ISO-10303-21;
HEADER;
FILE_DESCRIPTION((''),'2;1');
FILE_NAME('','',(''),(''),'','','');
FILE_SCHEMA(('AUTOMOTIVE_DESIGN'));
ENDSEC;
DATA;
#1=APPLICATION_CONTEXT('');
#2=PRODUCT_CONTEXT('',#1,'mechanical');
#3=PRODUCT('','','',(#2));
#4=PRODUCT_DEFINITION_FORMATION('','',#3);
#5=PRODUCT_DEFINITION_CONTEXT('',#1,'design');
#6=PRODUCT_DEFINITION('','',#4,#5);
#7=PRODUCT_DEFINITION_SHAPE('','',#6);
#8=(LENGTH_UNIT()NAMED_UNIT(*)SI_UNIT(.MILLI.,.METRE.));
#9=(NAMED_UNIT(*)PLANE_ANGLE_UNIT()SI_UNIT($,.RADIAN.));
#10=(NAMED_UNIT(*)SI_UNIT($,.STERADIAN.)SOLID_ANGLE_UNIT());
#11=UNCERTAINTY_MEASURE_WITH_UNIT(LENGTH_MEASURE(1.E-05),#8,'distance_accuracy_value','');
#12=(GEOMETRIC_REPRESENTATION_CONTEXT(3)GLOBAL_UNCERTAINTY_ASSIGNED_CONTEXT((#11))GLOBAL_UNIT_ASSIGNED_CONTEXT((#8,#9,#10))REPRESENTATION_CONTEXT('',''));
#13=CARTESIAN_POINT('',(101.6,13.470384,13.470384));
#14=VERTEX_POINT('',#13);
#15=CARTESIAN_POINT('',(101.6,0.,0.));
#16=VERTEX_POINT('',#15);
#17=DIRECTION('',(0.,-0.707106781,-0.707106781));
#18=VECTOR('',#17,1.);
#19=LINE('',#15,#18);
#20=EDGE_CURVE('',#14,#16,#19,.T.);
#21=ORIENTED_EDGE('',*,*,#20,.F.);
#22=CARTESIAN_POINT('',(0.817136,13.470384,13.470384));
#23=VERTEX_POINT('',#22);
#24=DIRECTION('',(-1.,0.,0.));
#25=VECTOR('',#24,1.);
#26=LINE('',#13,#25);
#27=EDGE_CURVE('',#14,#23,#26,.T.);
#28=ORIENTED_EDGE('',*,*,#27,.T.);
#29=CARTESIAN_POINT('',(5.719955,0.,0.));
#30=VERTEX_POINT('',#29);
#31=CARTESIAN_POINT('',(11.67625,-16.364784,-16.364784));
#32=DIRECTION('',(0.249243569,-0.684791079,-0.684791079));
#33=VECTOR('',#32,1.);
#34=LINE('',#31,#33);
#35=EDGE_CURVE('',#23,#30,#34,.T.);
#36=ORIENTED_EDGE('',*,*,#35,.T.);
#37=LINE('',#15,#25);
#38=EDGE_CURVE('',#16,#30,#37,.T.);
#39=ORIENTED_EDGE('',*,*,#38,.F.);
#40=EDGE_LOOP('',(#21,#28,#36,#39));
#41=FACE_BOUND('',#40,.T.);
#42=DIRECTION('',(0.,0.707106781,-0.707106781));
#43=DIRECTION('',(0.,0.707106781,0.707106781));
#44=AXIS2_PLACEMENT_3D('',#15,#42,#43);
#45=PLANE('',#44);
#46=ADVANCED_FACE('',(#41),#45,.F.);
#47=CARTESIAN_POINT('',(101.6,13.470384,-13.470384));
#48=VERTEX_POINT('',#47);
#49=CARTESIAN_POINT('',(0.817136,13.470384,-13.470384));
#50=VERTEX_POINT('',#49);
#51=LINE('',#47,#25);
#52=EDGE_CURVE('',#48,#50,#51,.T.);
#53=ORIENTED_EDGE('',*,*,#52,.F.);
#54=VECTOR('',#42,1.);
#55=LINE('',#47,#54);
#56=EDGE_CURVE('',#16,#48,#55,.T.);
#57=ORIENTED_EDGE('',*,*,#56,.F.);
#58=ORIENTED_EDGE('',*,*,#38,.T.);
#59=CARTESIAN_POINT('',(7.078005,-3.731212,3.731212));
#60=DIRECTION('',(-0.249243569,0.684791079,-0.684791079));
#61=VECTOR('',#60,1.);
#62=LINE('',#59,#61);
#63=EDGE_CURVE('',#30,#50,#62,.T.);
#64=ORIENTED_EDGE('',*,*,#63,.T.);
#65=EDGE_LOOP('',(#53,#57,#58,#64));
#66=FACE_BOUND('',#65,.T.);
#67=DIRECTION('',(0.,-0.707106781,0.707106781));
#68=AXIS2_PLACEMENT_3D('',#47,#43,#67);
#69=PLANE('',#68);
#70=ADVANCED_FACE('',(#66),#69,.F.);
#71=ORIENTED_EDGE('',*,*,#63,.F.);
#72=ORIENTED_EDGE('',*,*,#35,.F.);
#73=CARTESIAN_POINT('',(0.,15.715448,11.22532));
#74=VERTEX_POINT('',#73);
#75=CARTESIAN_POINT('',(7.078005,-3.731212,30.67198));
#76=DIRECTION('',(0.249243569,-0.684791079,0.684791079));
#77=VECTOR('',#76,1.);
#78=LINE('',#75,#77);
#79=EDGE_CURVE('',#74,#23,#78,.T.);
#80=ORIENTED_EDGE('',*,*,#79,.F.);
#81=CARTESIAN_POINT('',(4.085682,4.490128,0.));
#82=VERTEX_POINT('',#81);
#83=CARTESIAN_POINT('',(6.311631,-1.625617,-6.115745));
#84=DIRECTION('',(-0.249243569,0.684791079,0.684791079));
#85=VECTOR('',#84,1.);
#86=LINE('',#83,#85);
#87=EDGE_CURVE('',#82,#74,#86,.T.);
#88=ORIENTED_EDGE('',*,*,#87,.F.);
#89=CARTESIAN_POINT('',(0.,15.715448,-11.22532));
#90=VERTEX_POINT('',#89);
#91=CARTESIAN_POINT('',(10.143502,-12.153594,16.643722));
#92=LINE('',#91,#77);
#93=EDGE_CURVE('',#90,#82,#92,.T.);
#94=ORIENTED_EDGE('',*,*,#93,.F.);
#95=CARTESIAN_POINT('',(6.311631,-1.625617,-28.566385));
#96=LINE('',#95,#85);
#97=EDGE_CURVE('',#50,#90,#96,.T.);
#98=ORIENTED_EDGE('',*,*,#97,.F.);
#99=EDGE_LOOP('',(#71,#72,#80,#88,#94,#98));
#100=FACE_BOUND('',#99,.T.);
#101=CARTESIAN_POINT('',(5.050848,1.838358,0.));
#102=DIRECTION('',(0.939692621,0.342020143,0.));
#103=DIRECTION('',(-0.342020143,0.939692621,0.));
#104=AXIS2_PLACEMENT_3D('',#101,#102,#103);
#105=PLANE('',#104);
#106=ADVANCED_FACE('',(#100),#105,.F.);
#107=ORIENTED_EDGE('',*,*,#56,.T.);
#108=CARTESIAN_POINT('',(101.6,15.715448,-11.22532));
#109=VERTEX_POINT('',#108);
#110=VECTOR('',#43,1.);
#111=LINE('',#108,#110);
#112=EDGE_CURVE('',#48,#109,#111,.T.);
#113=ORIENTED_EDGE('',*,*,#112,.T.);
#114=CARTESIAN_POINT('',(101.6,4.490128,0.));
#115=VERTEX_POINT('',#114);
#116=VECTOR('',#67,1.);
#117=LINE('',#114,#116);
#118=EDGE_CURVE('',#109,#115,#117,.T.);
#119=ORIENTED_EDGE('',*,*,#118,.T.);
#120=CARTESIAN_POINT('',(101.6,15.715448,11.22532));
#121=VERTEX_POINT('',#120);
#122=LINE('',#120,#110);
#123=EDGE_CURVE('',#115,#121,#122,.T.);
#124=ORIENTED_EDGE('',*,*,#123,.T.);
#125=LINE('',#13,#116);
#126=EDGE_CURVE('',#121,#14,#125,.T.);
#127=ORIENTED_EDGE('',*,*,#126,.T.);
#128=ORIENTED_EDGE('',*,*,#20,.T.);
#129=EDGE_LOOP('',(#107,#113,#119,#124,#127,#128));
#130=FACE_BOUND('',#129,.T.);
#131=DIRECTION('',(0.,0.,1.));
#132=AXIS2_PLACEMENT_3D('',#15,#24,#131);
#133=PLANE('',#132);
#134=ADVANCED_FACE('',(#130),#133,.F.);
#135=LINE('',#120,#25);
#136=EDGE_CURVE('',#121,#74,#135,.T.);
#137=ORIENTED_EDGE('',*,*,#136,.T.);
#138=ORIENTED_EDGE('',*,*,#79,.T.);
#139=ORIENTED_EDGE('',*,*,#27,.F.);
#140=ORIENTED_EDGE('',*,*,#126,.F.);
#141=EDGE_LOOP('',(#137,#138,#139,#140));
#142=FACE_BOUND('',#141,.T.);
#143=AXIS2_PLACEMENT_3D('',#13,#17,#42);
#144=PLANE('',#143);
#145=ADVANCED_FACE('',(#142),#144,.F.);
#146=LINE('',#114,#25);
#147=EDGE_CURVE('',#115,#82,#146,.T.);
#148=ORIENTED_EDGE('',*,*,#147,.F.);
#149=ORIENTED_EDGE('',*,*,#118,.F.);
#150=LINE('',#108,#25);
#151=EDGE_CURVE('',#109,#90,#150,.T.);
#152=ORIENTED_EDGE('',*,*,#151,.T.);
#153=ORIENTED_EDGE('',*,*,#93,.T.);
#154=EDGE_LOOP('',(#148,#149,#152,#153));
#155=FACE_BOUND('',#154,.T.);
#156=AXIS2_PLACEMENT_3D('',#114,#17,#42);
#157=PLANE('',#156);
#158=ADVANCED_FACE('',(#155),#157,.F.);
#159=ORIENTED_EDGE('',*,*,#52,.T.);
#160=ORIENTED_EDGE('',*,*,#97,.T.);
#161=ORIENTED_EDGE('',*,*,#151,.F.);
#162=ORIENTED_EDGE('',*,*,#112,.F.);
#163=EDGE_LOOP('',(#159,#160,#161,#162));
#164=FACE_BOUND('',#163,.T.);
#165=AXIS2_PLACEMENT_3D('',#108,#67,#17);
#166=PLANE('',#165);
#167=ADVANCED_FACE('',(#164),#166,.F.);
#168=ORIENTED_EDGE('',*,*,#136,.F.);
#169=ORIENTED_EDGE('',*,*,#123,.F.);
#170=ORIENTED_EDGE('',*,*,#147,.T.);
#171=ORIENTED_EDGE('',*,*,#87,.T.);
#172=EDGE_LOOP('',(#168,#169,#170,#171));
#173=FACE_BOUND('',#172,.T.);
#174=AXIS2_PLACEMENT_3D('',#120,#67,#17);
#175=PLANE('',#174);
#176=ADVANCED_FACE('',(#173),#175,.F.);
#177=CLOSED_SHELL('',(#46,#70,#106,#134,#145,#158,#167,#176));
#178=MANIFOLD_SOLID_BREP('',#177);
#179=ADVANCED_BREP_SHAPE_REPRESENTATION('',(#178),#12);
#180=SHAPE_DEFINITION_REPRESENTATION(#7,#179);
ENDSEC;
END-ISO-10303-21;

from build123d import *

# Parameters (mm, degrees)
BOSS_EXTRUDE1_DEPTH = 101.6
SKETCH2_W           = 26.940768364
SKETCH2_H           = 16.724030672
CUT_EXTRUDE1_DEPTH  = 99.46706905


with BuildPart() as part:
    # Sketch1 → Boss-Extrude1 (new body)
    with BuildSketch(Plane(origin=(0, 0, 0), x_dir=(0, 0, -1), z_dir=(1, 0, 0))):
        Polygon((0, 0), (-13.470384182, 13.470384182), (-11.225320151, 15.715448212), (0, 4.490128061), (11.225320151, 15.715448212), (13.470384182, 13.470384182), align=None)
    extrude(amount=BOSS_EXTRUDE1_DEPTH)

    # Sketch2 → Cut-Extrude1 (cut, through all)
    with BuildSketch(Plane(origin=(5.050847696, 1.838358219, 0), x_dir=(0, 0, -1), z_dir=(-0.9396926207859081, -0.34202014332566943, 0))):
        with Locations((0, -6.405675381)):
            Rectangle(SKETCH2_W, SKETCH2_H)
    extrude(amount=CUT_EXTRUDE1_DEPTH, mode=Mode.SUBTRACT)


solid = part.part
